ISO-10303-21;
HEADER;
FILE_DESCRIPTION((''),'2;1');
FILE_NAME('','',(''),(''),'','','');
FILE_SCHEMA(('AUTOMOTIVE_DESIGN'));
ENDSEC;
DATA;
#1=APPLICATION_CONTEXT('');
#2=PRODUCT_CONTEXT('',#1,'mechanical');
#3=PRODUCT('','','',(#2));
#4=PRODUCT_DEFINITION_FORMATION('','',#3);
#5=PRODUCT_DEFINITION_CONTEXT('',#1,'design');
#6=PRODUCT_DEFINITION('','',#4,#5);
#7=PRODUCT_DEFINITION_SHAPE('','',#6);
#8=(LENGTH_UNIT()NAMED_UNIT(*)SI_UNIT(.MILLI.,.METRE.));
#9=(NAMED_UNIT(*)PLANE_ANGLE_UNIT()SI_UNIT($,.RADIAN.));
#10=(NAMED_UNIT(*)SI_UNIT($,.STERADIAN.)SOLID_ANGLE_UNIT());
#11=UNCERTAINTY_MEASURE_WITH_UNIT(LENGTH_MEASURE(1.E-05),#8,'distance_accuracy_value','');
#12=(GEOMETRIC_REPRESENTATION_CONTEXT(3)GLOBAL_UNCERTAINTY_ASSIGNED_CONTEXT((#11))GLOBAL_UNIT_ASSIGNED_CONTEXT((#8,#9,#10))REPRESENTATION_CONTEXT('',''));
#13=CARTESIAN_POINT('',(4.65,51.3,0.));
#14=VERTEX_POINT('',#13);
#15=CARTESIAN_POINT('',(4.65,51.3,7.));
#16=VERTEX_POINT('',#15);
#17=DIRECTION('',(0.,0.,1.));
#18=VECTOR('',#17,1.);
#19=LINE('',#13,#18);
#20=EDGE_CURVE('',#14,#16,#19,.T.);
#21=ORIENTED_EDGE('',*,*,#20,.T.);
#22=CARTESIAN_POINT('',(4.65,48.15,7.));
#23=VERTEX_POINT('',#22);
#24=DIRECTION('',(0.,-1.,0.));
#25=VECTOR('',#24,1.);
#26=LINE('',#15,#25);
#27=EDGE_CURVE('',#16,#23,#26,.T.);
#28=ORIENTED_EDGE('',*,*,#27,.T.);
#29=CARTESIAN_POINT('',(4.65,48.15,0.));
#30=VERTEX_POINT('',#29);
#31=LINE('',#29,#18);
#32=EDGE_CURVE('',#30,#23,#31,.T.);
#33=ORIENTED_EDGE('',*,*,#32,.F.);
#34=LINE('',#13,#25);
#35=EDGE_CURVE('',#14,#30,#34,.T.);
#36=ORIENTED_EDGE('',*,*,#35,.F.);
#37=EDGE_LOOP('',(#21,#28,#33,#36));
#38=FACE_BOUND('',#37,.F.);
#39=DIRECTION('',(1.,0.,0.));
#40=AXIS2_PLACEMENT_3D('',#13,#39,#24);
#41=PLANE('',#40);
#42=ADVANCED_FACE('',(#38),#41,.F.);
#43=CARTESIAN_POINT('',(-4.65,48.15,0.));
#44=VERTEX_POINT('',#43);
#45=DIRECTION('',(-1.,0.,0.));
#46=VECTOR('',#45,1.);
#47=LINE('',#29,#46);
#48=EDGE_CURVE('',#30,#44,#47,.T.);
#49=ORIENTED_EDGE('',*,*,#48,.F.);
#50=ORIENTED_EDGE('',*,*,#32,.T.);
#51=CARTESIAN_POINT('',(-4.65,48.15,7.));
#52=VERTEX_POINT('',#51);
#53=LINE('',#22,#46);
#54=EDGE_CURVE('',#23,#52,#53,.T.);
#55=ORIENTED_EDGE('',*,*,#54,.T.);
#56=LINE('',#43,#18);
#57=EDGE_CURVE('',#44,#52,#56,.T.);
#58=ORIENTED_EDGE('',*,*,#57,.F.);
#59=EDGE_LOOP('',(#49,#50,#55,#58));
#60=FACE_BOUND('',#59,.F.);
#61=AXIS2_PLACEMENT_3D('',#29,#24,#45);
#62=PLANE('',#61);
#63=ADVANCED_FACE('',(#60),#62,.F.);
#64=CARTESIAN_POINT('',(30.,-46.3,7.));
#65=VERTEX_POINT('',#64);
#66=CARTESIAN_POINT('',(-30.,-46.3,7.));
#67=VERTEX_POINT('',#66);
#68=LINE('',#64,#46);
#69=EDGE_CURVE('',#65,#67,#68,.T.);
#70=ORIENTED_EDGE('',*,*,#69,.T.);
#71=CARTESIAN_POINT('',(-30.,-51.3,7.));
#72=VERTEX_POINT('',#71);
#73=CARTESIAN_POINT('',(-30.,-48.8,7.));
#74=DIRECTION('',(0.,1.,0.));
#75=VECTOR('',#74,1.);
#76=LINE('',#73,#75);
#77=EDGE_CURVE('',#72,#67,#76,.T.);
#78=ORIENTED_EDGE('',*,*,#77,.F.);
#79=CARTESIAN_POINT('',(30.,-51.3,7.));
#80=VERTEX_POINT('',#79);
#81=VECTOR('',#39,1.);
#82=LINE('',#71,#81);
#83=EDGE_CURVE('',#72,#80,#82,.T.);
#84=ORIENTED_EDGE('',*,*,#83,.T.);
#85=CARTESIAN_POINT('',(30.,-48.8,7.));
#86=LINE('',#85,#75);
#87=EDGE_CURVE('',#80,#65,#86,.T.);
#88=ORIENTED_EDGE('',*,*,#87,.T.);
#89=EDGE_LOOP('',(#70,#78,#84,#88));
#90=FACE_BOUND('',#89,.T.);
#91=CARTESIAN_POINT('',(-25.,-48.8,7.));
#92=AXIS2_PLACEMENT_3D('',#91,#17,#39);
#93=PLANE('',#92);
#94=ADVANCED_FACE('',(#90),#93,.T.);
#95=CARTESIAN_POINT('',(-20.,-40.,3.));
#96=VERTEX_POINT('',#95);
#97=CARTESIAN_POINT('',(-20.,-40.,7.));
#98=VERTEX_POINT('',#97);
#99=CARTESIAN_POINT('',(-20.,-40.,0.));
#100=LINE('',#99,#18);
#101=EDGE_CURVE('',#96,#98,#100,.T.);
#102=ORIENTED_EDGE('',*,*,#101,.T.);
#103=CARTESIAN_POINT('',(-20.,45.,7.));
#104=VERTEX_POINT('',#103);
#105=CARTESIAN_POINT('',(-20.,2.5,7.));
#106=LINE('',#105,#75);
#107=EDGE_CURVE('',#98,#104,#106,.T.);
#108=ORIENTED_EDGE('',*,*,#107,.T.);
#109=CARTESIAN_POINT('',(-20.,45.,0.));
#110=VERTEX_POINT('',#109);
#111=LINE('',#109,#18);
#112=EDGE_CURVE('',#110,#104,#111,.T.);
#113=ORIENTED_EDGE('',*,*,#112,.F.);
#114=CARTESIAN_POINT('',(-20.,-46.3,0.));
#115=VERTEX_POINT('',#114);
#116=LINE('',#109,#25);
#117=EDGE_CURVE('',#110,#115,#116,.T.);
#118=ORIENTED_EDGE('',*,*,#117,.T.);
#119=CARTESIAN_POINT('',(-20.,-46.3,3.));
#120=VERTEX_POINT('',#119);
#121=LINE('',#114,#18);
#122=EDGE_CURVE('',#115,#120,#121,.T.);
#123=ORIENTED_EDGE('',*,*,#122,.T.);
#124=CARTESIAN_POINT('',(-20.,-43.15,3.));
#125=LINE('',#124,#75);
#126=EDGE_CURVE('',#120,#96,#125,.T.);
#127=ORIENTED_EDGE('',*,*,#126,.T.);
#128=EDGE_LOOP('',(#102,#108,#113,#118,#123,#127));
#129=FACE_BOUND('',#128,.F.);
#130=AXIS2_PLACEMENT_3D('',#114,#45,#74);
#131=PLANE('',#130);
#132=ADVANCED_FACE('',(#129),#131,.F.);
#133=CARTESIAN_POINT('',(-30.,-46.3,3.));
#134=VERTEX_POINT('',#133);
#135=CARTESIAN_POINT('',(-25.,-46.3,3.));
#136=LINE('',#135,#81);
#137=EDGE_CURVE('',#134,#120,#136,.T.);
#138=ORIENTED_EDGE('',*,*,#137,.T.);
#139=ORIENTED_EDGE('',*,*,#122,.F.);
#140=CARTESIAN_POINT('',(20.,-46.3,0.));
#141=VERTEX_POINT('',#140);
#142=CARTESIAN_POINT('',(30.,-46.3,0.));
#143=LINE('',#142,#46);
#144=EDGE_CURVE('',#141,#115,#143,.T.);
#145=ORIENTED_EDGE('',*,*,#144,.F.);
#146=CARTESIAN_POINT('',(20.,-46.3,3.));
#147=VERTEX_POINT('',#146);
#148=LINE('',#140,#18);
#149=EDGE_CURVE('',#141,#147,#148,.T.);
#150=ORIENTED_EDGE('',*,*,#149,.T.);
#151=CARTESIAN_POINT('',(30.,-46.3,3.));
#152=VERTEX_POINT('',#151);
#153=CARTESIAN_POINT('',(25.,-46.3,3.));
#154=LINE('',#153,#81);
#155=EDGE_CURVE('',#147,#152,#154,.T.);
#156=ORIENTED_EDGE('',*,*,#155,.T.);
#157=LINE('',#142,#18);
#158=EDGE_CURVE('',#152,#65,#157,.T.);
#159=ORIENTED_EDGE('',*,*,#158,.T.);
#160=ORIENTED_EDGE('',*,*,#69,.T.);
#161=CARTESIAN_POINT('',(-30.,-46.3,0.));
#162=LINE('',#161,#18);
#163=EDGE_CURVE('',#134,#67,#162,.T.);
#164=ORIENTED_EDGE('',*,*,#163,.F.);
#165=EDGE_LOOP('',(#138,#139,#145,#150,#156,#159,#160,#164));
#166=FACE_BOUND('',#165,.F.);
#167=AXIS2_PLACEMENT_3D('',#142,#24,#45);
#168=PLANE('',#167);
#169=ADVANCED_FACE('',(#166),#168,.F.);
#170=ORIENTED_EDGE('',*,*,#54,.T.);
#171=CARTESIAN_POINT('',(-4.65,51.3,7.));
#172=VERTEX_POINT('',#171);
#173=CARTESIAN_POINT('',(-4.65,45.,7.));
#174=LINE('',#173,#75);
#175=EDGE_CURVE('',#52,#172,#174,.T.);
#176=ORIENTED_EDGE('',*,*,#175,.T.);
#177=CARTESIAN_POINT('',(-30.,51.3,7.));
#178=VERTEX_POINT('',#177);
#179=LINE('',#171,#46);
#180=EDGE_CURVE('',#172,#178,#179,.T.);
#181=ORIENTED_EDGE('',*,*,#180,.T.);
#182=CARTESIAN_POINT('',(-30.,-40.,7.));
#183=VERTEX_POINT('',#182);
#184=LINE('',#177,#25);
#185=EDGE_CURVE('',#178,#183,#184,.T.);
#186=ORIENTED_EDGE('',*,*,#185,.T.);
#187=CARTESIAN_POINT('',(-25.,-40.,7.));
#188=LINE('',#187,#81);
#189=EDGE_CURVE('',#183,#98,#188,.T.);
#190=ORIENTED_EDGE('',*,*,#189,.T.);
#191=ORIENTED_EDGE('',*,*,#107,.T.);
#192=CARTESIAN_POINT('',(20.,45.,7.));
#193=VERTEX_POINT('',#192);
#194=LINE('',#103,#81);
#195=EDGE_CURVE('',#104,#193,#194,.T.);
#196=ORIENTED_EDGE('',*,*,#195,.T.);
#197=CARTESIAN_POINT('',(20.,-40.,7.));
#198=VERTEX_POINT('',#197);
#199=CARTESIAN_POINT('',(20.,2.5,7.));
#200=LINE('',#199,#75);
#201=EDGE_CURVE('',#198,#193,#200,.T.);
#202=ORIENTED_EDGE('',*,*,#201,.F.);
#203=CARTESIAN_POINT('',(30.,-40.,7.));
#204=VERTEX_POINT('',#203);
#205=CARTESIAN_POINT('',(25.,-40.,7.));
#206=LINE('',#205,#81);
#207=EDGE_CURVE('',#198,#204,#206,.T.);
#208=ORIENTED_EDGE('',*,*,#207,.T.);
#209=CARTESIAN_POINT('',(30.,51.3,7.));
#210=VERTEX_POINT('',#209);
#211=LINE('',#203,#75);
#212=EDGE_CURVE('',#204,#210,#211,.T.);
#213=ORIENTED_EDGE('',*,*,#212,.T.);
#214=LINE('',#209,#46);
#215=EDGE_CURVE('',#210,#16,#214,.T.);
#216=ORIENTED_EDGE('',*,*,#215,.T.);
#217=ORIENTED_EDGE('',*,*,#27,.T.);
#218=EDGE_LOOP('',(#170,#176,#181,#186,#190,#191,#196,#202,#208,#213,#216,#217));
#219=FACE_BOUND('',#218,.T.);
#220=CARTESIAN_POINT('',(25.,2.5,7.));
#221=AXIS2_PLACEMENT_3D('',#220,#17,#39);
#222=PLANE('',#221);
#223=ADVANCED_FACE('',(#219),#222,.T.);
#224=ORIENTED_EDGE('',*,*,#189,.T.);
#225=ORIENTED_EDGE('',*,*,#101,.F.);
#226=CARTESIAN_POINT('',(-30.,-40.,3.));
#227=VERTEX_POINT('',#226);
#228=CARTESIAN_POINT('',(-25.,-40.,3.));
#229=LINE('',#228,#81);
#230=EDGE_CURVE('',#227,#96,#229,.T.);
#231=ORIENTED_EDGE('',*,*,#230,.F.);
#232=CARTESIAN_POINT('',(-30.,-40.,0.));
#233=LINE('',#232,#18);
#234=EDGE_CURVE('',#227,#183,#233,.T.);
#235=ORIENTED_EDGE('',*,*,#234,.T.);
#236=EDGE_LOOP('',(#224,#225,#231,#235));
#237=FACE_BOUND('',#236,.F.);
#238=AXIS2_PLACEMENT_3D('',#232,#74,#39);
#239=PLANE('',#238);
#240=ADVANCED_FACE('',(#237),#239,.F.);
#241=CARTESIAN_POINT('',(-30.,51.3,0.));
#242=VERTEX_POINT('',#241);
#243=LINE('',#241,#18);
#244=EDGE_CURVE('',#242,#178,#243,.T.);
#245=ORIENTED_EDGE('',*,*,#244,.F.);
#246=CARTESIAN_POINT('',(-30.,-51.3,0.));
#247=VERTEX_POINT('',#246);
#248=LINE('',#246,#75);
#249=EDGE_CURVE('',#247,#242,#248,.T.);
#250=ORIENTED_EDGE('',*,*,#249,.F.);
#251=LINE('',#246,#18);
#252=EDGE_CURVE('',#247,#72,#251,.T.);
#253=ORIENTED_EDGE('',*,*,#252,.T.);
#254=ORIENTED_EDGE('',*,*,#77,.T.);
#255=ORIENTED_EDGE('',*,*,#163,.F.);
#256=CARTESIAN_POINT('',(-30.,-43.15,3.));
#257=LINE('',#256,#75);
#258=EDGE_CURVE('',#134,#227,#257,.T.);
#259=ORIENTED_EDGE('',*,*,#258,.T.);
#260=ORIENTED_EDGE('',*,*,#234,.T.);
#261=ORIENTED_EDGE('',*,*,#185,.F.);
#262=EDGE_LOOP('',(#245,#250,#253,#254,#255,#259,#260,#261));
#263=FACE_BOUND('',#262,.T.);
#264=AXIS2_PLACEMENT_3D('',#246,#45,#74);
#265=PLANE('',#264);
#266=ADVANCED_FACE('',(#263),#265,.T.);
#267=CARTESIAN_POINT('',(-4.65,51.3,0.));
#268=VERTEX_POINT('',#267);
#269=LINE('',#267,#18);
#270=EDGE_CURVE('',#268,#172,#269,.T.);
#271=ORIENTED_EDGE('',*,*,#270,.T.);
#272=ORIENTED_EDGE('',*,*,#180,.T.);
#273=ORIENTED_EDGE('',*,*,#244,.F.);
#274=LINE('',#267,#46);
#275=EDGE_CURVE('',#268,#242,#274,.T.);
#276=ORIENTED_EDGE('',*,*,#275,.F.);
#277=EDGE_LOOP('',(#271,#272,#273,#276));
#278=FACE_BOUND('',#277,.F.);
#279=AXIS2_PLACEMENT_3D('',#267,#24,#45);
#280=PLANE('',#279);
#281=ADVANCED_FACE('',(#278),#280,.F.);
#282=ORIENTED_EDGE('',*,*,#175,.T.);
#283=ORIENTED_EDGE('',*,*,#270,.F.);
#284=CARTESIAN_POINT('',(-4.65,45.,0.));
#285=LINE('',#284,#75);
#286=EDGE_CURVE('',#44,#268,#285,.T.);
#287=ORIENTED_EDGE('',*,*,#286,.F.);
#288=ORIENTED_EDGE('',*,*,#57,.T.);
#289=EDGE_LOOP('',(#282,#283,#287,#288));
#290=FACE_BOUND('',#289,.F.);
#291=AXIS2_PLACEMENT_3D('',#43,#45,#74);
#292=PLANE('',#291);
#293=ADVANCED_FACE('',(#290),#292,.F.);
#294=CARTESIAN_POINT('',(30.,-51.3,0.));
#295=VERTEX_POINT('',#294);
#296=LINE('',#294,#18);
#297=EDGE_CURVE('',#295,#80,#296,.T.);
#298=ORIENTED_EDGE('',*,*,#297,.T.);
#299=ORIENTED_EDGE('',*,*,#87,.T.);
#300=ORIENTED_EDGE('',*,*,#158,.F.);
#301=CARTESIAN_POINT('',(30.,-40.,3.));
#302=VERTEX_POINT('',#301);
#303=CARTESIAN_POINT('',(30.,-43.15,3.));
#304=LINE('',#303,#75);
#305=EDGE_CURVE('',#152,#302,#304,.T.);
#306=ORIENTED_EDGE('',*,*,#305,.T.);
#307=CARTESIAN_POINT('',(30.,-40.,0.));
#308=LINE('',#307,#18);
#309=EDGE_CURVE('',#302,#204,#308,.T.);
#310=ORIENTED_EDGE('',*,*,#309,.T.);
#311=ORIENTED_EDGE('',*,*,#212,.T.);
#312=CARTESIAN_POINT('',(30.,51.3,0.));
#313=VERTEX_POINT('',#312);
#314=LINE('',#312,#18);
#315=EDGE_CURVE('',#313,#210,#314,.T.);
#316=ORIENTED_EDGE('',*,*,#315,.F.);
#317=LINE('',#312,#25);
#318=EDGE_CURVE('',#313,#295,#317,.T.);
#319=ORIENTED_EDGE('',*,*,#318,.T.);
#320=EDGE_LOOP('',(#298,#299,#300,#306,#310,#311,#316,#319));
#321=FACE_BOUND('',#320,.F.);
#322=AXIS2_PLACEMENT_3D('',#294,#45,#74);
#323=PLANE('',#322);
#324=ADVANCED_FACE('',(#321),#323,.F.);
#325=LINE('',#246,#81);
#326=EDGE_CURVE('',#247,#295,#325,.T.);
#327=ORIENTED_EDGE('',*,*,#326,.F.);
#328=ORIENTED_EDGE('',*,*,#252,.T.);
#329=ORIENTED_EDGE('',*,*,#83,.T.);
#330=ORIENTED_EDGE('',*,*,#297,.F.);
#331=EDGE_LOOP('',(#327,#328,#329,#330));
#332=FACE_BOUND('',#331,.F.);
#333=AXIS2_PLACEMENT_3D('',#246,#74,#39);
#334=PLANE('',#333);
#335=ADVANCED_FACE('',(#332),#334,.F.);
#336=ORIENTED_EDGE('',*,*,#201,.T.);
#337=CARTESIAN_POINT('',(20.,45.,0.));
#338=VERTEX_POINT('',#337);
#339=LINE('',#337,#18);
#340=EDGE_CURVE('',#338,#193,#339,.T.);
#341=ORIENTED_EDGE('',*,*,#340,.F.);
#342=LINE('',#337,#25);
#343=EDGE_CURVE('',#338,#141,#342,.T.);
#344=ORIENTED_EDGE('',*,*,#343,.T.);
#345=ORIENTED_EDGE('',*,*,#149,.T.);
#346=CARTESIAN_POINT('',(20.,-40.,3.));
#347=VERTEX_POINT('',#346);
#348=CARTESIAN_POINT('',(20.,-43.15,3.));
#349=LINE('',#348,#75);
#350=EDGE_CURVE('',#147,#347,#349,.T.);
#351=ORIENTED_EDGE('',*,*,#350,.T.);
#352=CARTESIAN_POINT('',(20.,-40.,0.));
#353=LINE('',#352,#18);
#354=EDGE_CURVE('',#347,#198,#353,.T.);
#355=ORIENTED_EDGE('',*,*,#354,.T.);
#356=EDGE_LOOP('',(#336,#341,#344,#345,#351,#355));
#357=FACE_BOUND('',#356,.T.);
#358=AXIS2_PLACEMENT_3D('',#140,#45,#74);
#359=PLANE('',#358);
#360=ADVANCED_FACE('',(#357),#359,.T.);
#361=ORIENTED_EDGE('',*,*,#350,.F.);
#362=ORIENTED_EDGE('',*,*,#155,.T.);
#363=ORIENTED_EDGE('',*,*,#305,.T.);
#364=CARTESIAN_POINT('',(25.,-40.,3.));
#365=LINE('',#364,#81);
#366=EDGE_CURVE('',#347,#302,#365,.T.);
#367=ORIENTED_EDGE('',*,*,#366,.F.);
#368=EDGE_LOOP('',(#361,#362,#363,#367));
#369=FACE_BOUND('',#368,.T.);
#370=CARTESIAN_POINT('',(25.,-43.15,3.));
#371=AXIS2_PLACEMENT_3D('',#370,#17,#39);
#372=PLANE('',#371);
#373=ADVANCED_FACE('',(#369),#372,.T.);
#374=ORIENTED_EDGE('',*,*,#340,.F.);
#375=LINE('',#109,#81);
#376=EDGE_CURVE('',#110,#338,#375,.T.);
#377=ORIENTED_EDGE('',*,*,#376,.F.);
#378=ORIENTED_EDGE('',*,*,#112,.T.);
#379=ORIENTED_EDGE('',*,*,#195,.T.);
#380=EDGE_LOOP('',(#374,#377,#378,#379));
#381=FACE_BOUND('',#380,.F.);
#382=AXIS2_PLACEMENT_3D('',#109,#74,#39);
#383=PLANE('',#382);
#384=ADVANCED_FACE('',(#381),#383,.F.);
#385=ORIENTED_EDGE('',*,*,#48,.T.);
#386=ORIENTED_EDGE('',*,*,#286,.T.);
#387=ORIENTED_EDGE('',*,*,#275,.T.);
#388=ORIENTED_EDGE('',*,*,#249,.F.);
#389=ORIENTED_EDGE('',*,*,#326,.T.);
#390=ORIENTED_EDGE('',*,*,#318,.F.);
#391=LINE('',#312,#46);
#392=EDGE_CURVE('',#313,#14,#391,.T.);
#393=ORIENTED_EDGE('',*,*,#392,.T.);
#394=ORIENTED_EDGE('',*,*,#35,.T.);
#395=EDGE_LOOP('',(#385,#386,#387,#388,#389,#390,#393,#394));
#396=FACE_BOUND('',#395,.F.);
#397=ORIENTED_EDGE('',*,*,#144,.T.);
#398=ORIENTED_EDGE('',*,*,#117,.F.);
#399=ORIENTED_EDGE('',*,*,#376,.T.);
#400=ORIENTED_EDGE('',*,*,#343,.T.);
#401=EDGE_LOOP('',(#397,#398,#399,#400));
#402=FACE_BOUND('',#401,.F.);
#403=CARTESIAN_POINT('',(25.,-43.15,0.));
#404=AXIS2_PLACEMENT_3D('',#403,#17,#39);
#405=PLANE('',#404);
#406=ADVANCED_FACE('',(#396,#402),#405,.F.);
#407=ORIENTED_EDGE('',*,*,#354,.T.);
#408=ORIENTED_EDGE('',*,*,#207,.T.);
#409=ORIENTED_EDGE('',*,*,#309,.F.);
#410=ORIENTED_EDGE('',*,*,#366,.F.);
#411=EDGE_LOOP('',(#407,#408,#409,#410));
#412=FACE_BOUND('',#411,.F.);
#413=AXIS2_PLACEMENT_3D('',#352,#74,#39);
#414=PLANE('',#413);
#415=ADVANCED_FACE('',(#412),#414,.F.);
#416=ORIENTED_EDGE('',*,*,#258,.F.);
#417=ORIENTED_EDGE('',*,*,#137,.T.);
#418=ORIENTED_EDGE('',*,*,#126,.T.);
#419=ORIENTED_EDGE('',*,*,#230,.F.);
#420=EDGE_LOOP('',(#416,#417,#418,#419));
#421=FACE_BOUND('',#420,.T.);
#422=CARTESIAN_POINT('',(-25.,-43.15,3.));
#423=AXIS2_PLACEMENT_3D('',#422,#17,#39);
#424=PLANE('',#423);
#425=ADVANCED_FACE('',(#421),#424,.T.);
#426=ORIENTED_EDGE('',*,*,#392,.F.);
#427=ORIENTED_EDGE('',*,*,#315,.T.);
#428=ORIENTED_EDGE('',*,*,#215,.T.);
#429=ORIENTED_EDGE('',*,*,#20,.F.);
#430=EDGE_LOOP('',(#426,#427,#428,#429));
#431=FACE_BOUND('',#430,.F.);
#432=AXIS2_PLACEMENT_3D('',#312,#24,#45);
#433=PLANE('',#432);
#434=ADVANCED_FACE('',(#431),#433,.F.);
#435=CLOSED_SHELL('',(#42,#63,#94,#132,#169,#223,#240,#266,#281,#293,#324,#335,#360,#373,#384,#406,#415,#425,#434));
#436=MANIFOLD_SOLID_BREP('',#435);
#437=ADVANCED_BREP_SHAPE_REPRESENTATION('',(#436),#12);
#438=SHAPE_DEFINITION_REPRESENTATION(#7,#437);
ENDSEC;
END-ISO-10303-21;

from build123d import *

# Parameters (mm, degrees)
F0_W     = 10
F0_H     = 85
F1_DEPTH = 7
F0_H_2   = 5
F0_H_3   = 6.3
F2_DEPTH = 3


with BuildPart() as f1:
    # F0 (on Top) → F1 (new body)
    with BuildSketch(Plane.XY):
        with Locations((25, 2.5)):
            Rectangle(F0_W, F0_H)
        Polygon((20, 45), (30, 45), (30, 51.3), (4.65, 51.3), (4.65, 48.15), (4.65, 45), align=None)
        Polygon((-30, 45), (-20, 45), (-4.65, 45), (-4.65, 48.15), (-4.65, 51.3), (-30, 51.3), align=None)
        with Locations((-25, 2.5)):
            Rectangle(F0_W, F0_H)
        Polygon((0, 45), (4.65, 45), (4.65, 48.15), (-4.65, 48.15), (-4.65, 45), align=None)
    extrude(amount=F1_DEPTH)



with BuildPart() as f1b:
    # F0 (on Top) → F1, piece 2 (new body)
    with BuildSketch(Plane.XY):
        with Locations((-25, -48.8)):
            Rectangle(F0_W, F0_H_2)
        Polygon((-20, -51.3), (20, -51.3), (20, -46.3), (0, -46.3), (-20, -46.3), align=None)
        with Locations((25, -48.8)):
            Rectangle(F0_W, F0_H_2)
    extrude(amount=F1_DEPTH)


with BuildPart() as f1_1:
    add(f1.part)

    add(f1b.part)  # F2 merges F1b
    # F0 (on Top) → F2 (join)
    with BuildSketch(Plane.XY):
        with Locations((25, -43.15)):
            Rectangle(F0_W, F0_H_3)
        with Locations((-25, -43.15)):
            Rectangle(F0_W, F0_H_3)
    extrude(amount=F2_DEPTH)


solid = f1_1.part
